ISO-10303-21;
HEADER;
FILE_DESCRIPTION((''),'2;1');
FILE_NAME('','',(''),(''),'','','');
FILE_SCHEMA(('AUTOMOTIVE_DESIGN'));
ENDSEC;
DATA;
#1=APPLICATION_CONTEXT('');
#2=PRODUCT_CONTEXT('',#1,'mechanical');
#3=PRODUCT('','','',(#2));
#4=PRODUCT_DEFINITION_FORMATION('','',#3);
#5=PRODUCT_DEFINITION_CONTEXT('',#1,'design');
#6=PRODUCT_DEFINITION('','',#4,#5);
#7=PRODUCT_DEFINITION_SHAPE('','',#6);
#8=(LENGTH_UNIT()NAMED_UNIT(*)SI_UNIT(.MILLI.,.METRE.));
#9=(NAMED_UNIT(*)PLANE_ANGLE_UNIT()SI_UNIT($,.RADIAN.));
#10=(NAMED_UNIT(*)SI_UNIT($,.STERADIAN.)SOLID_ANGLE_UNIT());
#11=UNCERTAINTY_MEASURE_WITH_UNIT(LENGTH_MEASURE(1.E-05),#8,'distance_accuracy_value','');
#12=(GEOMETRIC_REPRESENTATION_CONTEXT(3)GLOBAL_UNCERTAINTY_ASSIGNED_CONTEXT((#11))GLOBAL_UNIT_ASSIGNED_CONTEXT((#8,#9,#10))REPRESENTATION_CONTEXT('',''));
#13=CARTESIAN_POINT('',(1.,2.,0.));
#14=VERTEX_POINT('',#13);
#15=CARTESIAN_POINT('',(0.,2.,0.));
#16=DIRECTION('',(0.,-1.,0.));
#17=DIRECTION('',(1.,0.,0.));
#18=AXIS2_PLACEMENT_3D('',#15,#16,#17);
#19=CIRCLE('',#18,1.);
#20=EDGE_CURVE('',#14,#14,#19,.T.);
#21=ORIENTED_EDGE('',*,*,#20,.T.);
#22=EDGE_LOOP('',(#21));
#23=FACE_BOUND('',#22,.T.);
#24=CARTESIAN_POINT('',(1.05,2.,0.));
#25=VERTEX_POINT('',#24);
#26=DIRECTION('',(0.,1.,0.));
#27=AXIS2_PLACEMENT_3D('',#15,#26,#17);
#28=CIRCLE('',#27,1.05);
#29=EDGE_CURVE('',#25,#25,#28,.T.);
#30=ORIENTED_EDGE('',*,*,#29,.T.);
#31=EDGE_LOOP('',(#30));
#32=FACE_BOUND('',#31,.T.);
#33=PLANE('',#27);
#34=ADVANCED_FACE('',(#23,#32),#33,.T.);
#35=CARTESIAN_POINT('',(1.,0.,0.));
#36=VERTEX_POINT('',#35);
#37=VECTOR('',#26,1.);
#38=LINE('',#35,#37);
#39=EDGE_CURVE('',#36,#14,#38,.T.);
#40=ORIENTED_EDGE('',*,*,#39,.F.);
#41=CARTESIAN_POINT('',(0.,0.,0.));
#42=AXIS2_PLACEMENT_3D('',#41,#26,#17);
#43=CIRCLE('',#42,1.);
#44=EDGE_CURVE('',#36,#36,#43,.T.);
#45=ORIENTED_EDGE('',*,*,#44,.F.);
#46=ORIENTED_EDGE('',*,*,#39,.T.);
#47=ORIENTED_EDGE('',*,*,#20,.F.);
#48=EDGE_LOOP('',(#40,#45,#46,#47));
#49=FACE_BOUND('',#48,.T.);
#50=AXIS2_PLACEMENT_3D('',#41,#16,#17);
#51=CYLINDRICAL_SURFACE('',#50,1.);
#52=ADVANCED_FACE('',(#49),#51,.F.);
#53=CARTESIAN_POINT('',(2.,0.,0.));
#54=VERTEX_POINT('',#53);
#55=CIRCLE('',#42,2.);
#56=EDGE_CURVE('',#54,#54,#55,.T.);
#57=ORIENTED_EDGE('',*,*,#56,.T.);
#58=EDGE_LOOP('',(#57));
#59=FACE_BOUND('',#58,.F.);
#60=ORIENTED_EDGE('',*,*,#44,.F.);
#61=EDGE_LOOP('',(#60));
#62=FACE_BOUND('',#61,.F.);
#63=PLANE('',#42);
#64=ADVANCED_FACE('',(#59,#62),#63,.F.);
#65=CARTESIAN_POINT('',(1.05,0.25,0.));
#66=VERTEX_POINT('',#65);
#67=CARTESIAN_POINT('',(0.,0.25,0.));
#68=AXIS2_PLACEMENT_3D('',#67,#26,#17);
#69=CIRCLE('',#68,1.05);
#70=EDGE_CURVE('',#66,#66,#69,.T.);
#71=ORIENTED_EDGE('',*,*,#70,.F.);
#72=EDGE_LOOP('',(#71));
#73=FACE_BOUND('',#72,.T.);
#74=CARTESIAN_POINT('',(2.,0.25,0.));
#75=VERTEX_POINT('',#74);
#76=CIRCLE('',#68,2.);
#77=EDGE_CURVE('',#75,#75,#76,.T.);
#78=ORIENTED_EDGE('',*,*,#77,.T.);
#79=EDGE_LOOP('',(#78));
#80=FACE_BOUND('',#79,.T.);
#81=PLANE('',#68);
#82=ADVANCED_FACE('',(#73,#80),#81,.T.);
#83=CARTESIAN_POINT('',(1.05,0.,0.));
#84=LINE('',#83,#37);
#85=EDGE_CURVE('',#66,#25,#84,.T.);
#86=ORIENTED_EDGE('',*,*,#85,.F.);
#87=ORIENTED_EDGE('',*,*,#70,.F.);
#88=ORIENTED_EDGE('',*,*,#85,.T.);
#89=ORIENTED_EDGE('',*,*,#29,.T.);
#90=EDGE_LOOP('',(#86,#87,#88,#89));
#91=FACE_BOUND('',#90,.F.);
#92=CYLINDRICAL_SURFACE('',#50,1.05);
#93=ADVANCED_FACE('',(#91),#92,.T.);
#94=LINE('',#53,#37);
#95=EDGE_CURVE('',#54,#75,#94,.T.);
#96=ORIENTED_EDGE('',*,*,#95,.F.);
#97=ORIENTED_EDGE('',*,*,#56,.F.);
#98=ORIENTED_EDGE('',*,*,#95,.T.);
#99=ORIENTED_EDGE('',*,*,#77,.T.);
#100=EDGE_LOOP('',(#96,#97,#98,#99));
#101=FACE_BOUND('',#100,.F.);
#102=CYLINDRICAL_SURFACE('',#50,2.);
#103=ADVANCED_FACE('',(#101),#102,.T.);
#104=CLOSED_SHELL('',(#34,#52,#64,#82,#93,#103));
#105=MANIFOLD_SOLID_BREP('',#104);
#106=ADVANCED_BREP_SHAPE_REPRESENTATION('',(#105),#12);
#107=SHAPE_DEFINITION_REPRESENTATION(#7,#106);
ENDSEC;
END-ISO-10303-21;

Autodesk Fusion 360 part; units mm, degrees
sketch "Sketch1" plane through (0, 0, 0) normal (0, 1, 0) x (1, 0, 0)
  circle A0 centre (0, 0) radius 2
  circle A1 centre (0, 0) radius 1.05
  dimension "d1" = 4
  dimension "d2" = 2.1
extrude "Extrude1" add sketch "Sketch1" along normal blind 0.25
extrude "Extrude2" add sketch "Sketch1" along normal blind 2 contours A1
sketch "Sketch2" plane through (0, 0, 0) normal (0, 1, 0) x (1, 0, 0)
  circle A0 centre (0, 0) radius 1
  dimension "d8" = 2
extrude "Extrude3" cut sketch "Sketch2" along normal blind 3.883
